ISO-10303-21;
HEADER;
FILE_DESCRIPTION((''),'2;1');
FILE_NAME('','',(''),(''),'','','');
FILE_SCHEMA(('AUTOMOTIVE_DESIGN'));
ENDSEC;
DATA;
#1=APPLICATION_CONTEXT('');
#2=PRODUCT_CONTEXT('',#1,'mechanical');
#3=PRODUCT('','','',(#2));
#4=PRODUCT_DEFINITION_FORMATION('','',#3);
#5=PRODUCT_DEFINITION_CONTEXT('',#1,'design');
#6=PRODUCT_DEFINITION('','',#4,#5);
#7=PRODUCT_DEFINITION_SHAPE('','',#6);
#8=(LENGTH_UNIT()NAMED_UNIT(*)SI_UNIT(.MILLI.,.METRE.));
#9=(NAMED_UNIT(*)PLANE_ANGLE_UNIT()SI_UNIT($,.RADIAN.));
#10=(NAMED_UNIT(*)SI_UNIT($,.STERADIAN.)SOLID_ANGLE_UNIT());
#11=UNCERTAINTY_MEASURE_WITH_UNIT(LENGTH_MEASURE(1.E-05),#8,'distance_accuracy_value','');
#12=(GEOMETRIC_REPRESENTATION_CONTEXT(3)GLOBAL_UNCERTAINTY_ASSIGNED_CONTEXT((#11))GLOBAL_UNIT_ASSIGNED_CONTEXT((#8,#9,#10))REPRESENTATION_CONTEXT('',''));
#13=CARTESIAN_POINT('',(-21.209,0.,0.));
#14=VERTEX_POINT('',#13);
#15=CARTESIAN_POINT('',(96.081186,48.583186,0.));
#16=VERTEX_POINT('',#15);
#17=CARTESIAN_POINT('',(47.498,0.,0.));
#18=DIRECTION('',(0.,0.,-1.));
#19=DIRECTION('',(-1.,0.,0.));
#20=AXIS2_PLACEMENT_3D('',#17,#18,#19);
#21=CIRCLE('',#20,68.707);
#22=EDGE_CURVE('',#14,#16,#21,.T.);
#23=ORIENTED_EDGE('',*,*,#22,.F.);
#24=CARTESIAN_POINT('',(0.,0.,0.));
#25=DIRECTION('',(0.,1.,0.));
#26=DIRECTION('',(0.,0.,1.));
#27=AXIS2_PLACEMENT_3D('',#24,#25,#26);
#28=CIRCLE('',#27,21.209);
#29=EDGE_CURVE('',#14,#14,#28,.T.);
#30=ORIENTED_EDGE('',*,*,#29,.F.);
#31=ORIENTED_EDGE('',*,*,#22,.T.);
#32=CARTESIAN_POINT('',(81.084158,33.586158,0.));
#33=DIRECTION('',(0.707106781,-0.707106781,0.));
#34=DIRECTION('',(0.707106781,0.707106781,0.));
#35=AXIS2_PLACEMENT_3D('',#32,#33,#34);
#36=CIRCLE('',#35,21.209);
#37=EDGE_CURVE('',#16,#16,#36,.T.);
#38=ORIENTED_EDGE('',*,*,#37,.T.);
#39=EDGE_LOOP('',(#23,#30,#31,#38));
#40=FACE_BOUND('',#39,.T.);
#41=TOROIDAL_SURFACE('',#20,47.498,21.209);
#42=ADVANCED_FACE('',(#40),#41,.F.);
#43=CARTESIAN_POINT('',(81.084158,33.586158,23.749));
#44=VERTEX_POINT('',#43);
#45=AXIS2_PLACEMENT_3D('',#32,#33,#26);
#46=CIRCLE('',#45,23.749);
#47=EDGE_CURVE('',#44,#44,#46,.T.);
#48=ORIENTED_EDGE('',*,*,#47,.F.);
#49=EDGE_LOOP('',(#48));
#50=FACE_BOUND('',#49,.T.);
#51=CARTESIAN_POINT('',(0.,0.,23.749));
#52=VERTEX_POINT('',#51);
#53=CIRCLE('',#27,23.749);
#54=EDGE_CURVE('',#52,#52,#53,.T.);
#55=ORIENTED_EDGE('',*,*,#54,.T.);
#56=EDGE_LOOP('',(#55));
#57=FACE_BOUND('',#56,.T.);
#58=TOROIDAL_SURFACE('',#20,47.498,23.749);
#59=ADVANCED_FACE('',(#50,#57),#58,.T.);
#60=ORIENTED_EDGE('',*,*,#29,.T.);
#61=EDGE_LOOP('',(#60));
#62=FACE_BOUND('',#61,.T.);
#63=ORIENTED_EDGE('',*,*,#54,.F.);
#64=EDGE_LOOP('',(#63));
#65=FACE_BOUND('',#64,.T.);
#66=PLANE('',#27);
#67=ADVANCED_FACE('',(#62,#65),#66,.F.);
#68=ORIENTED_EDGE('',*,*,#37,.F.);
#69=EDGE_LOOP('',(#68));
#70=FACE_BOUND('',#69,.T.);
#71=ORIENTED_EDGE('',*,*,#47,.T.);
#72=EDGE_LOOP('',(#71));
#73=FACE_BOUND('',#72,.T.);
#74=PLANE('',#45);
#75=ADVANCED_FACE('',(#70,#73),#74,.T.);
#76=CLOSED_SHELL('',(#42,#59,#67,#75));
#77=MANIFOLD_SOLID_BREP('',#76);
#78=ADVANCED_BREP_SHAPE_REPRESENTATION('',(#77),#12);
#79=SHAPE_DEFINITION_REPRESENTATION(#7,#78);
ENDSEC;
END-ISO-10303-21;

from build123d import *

# Parameters (mm, degrees)
SKETCH2_R = 23.749
SHELL1_T  = -2.54


with BuildPart() as part:
    # Sweep3: sweep along a path in Sketch1
    with BuildLine(Plane.XY) as sweep3_path:
        ThreePointArc((0, 0), (29.32130233, 43.882430035), (81.084157893, 33.586157893))
    # Sketch2 → Sweep3 (sweep)
    with BuildSketch(Plane(origin=(0, 0, 0), x_dir=(1, 0, 0), z_dir=(0, 1, 0))):
        Circle(SKETCH2_R)
    sweep(path=sweep3_path.line)

    # Shell1
    shell1_openings = [part.faces().sort_by_distance(p)[0] for p in [
        (81.084157893, 33.586157893, 0),
        (0, 0, 0),
    ]]
    offset(amount=SHELL1_T, openings=shell1_openings, kind=Kind.INTERSECTION)


solid = part.part
